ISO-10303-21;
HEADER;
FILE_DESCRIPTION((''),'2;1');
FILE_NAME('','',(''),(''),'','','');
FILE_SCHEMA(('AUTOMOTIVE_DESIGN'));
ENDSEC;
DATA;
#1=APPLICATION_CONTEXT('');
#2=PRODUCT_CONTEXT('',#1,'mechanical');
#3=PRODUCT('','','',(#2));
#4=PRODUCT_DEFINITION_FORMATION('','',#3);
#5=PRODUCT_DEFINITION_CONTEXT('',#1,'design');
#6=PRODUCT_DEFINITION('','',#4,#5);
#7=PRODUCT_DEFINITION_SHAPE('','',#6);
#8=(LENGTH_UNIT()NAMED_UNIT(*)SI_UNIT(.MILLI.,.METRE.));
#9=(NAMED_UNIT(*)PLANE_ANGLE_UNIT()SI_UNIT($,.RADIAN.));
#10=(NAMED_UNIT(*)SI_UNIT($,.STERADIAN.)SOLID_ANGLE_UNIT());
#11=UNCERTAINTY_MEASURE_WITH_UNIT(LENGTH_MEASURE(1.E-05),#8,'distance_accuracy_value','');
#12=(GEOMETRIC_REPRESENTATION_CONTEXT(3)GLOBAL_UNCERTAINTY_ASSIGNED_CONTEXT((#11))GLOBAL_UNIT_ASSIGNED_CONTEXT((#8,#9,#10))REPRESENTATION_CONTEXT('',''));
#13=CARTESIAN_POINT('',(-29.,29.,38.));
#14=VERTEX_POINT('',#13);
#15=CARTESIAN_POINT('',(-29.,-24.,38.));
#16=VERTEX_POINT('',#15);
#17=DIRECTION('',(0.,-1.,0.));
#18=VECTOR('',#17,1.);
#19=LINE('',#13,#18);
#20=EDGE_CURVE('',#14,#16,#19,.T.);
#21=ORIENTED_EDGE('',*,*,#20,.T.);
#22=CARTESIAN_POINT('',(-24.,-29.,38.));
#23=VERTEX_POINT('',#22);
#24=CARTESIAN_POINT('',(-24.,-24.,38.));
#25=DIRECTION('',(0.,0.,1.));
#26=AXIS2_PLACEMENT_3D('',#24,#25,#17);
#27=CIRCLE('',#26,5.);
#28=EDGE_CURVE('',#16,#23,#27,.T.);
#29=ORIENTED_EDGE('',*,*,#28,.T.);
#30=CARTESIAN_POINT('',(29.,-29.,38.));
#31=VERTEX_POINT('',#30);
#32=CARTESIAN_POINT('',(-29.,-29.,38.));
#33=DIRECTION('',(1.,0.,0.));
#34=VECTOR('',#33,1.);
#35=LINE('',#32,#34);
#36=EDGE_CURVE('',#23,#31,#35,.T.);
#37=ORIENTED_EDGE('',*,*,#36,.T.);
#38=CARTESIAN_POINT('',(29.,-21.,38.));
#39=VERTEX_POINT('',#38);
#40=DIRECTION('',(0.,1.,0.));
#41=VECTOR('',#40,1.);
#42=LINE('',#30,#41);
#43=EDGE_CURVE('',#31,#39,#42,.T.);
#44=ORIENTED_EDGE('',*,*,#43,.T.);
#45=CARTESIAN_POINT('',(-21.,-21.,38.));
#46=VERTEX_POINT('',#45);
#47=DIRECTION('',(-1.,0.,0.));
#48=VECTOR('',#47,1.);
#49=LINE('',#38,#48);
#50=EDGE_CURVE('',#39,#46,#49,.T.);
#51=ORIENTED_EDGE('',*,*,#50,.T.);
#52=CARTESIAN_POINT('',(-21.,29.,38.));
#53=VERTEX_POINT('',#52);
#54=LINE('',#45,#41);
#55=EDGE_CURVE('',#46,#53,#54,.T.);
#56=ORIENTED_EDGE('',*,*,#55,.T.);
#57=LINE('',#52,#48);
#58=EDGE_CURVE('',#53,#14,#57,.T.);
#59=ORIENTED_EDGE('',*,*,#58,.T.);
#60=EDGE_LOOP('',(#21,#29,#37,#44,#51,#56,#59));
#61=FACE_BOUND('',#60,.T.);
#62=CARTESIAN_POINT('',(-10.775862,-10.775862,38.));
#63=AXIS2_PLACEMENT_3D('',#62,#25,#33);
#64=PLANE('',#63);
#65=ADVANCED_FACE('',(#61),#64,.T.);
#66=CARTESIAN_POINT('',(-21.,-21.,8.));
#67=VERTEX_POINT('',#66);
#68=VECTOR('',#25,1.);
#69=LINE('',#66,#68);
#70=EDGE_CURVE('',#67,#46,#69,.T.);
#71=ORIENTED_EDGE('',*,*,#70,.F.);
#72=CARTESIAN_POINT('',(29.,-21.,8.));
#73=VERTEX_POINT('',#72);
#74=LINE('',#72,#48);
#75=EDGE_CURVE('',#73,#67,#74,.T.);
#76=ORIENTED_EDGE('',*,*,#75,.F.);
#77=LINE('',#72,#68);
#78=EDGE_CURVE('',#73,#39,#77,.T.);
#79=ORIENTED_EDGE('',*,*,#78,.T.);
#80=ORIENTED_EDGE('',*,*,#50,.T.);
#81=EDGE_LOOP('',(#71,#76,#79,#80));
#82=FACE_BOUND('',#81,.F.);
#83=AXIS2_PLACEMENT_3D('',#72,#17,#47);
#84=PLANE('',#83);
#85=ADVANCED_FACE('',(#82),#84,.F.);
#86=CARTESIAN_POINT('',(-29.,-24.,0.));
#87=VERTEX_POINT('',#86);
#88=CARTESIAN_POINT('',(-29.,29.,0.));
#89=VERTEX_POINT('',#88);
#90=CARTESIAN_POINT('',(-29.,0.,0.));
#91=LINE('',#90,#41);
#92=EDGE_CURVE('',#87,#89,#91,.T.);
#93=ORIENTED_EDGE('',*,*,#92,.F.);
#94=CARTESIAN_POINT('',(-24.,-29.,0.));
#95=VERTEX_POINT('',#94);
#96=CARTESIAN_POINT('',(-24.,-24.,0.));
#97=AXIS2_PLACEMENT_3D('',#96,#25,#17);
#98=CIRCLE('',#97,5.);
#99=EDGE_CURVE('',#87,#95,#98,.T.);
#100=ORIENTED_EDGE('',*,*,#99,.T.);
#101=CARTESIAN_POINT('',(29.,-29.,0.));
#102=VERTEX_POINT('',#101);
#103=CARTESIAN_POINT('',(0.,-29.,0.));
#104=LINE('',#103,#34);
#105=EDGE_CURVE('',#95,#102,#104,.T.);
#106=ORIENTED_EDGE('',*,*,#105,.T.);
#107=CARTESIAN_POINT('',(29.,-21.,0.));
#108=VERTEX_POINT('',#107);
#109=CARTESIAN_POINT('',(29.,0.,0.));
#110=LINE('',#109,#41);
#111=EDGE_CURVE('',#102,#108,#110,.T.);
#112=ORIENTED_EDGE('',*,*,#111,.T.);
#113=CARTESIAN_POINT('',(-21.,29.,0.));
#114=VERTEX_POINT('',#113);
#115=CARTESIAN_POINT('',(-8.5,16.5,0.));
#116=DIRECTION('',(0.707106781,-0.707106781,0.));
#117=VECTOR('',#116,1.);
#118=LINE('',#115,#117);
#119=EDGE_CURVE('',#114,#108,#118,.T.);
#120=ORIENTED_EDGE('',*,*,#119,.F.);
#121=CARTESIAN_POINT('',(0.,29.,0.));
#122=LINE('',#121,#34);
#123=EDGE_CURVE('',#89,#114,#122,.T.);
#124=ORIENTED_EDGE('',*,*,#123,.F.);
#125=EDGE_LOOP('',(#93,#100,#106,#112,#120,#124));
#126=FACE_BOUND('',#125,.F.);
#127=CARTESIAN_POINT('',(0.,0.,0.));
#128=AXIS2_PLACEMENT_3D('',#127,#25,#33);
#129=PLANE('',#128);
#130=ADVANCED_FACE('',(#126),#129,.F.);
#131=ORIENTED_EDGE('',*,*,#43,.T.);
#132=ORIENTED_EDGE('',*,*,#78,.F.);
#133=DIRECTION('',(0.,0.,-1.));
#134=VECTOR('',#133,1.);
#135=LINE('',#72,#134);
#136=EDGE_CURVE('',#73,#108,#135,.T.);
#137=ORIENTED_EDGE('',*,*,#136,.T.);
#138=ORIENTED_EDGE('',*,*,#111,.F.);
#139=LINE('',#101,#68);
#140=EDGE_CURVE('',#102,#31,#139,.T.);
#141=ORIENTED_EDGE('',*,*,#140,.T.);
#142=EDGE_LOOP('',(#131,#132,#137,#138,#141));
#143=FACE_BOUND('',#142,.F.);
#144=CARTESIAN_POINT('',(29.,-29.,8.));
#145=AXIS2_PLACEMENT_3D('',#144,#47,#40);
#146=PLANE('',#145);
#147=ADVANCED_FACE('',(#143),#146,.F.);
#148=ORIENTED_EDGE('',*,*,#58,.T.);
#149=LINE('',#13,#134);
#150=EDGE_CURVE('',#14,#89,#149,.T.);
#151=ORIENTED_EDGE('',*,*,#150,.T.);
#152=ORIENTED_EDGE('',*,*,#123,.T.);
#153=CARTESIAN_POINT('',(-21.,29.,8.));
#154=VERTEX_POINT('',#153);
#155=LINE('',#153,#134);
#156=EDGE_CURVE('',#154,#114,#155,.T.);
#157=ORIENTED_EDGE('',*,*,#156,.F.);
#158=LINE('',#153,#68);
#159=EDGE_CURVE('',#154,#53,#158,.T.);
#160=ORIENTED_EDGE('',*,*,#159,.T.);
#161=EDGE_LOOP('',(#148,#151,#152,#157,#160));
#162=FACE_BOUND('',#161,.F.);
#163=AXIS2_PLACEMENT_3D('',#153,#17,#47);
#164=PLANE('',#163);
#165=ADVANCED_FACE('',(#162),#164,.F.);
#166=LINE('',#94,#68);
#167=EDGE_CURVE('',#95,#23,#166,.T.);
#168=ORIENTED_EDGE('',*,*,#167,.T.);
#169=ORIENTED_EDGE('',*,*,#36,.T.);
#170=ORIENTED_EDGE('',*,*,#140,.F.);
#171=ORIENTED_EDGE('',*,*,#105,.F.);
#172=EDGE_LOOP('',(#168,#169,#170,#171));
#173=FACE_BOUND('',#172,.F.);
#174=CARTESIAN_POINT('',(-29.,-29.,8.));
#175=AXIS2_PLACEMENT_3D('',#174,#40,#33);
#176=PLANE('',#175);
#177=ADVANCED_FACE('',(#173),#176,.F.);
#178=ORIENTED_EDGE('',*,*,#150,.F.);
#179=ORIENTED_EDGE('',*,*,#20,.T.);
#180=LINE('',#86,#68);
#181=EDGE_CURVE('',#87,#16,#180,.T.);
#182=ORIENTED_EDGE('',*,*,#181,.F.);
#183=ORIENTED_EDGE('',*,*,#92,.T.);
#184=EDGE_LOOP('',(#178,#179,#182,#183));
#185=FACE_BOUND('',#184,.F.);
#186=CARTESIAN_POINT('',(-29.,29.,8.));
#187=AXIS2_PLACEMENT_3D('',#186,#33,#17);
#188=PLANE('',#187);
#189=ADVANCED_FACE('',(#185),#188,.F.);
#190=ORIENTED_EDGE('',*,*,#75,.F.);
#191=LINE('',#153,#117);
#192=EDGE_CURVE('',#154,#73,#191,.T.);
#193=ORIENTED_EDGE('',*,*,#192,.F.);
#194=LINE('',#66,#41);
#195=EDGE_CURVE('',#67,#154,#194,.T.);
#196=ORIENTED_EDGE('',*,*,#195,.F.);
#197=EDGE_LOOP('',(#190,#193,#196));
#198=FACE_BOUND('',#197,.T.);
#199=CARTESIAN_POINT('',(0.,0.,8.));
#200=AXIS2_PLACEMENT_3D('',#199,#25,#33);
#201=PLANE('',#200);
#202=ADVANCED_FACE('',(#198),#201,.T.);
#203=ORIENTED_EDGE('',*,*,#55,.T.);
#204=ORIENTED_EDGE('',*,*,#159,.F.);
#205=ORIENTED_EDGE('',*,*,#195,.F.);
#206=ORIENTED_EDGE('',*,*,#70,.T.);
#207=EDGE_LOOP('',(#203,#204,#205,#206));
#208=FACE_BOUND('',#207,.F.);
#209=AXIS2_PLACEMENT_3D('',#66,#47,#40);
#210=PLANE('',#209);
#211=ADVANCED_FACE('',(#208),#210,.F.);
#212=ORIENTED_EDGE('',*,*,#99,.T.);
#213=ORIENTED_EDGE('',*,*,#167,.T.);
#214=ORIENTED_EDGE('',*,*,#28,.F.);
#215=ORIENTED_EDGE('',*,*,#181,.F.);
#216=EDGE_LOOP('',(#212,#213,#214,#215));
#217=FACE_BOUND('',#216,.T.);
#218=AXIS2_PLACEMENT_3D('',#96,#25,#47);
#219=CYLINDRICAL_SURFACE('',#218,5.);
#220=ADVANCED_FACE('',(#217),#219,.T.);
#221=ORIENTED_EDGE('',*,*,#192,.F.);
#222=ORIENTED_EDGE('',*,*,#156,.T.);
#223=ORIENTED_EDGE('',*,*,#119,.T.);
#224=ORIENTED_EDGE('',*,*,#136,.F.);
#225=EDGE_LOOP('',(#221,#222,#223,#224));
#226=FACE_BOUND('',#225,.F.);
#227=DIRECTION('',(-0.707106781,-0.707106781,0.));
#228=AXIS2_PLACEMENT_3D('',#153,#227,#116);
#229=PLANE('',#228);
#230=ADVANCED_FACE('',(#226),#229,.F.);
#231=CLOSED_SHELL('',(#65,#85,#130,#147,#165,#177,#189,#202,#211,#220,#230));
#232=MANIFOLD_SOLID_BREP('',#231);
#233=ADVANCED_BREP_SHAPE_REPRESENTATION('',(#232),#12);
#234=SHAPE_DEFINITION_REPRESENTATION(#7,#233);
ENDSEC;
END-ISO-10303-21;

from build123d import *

# Parameters (mm, degrees)
F0_W     = 58
F0_H     = 58
F1_DEPTH = 8
F3_DEPTH = 30
F5_DEPTH = 8.001
F6_R     = 5


with BuildPart() as f1:
    # F0 (on Top) → F1 (new body)
    with BuildSketch(Plane.XY):
        Rectangle(F0_W, F0_H)
    extrude(amount=F1_DEPTH)

    # F2 (on face) → F3 (join)
    with BuildSketch(Plane.XY.offset(8)):
        Polygon((-29, 29), (-29, -29), (29, -29), (29, -21), (-21, -21), (-21, 29), align=None)
    extrude(amount=F3_DEPTH)

    # F4 (on face) → F5 (cut, through all)
    with BuildSketch(Plane.XY.offset(8)):
        Polygon((29, 29), (-21, 29), (29, -21), align=None)
    extrude(amount=-F5_DEPTH, mode=Mode.SUBTRACT)

    # F6
    f6_edges = [f1.edges().sort_by_distance(p)[0] for p in [
        (-29, -29, 19),
    ]]
    fillet(f6_edges, radius=F6_R)


solid = f1.part
